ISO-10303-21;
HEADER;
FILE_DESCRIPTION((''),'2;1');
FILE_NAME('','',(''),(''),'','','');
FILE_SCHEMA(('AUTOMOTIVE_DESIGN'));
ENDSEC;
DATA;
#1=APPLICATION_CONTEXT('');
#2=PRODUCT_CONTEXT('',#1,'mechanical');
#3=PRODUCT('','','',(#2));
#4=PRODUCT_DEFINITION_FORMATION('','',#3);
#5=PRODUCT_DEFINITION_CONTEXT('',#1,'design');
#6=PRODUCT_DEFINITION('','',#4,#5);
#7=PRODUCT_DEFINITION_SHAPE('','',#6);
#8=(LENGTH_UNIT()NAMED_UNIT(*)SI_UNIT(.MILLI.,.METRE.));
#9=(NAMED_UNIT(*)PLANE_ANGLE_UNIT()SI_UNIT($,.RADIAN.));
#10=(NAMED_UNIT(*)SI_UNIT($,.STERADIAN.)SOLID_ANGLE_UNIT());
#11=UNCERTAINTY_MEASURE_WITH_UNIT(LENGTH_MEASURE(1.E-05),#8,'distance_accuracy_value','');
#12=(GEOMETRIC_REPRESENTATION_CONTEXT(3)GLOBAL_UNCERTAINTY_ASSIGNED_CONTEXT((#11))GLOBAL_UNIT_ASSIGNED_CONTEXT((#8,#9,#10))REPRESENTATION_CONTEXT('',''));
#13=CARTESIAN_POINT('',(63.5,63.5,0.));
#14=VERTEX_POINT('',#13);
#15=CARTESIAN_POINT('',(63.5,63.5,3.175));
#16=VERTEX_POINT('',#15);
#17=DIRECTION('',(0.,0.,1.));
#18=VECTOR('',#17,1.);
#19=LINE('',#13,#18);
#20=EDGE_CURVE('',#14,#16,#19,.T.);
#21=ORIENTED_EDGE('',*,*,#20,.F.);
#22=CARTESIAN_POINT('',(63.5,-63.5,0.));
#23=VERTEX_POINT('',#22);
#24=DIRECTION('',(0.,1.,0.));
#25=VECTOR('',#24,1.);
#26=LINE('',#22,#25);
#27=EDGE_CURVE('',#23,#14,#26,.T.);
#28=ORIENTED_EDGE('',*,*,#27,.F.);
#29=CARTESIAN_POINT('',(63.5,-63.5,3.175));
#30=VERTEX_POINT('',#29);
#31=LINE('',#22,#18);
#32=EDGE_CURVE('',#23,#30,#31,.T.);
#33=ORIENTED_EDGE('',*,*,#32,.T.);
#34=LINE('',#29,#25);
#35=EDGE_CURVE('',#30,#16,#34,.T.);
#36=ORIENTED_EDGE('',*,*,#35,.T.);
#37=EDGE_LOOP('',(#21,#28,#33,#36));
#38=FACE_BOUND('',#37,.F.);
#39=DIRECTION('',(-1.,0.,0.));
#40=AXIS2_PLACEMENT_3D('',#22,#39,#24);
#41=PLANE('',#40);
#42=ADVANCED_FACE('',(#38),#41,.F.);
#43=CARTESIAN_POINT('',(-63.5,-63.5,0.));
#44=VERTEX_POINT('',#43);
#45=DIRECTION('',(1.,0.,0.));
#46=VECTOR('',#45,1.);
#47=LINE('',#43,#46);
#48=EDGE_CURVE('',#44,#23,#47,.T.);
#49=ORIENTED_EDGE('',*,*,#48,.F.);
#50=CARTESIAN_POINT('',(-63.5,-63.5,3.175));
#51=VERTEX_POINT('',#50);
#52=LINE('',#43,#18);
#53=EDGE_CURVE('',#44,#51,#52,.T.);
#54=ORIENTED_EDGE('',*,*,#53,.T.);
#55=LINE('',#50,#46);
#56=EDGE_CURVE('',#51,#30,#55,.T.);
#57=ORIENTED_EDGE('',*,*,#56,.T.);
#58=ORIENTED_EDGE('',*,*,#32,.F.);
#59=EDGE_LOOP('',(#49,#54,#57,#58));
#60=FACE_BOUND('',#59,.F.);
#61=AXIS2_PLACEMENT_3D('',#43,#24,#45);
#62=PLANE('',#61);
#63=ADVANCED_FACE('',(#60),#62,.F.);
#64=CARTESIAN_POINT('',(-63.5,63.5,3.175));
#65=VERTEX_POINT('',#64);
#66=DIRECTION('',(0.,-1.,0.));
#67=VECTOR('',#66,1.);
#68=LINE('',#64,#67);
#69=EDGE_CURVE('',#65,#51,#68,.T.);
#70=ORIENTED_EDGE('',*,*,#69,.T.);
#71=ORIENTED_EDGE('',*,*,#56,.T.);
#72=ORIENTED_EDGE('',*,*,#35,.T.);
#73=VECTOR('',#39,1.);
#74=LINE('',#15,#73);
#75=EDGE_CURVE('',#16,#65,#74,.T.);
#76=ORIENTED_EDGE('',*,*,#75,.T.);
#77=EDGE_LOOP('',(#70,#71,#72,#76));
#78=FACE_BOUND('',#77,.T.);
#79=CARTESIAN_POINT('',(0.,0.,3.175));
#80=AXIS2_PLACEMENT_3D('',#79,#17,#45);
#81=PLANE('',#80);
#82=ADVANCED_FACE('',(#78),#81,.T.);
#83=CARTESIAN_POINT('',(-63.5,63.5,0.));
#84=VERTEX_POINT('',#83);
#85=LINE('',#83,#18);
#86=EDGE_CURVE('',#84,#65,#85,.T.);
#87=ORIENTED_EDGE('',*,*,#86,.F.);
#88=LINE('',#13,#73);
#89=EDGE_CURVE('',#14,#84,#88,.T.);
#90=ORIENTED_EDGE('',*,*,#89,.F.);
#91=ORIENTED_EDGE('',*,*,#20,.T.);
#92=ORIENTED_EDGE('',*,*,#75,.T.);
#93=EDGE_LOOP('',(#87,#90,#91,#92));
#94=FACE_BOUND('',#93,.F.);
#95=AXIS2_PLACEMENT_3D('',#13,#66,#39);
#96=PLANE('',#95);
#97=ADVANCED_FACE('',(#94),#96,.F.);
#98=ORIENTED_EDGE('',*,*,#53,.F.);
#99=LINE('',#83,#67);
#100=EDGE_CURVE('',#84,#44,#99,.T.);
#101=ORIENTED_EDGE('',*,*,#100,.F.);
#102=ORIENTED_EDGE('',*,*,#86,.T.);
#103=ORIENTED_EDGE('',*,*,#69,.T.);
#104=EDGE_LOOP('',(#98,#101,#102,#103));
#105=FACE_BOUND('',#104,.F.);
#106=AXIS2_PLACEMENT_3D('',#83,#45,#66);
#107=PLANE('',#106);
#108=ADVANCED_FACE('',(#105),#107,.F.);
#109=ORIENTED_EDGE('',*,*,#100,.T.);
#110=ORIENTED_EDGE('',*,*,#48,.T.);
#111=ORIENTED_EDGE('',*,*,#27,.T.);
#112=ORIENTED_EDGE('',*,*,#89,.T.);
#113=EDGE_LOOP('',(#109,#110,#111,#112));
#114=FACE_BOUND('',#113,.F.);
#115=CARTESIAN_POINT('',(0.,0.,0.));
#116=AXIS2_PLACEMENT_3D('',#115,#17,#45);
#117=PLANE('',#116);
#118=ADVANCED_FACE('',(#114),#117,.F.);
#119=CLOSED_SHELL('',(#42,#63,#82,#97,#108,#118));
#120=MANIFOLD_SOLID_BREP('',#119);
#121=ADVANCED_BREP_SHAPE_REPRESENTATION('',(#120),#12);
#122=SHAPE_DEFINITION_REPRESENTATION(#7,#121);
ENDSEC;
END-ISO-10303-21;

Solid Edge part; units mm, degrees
sketch "Sketch1" plane through (0, 0, 0) normal (0, 0, 1) x (1, 0, 0)
  line L0 (-63.5, -63.5) -> (63.5, -63.5)
  line L1 (63.5, -63.5) -> (63.5, 63.5)
  line L2 (63.5, 63.5) -> (-63.5, 63.5)
  line L3 (-63.5, 63.5) -> (-63.5, -63.5)
extrude "Protrusion1" add sketch "Sketch1" along normal blind 3.175
properties material "ABS Plastic, high impact"
